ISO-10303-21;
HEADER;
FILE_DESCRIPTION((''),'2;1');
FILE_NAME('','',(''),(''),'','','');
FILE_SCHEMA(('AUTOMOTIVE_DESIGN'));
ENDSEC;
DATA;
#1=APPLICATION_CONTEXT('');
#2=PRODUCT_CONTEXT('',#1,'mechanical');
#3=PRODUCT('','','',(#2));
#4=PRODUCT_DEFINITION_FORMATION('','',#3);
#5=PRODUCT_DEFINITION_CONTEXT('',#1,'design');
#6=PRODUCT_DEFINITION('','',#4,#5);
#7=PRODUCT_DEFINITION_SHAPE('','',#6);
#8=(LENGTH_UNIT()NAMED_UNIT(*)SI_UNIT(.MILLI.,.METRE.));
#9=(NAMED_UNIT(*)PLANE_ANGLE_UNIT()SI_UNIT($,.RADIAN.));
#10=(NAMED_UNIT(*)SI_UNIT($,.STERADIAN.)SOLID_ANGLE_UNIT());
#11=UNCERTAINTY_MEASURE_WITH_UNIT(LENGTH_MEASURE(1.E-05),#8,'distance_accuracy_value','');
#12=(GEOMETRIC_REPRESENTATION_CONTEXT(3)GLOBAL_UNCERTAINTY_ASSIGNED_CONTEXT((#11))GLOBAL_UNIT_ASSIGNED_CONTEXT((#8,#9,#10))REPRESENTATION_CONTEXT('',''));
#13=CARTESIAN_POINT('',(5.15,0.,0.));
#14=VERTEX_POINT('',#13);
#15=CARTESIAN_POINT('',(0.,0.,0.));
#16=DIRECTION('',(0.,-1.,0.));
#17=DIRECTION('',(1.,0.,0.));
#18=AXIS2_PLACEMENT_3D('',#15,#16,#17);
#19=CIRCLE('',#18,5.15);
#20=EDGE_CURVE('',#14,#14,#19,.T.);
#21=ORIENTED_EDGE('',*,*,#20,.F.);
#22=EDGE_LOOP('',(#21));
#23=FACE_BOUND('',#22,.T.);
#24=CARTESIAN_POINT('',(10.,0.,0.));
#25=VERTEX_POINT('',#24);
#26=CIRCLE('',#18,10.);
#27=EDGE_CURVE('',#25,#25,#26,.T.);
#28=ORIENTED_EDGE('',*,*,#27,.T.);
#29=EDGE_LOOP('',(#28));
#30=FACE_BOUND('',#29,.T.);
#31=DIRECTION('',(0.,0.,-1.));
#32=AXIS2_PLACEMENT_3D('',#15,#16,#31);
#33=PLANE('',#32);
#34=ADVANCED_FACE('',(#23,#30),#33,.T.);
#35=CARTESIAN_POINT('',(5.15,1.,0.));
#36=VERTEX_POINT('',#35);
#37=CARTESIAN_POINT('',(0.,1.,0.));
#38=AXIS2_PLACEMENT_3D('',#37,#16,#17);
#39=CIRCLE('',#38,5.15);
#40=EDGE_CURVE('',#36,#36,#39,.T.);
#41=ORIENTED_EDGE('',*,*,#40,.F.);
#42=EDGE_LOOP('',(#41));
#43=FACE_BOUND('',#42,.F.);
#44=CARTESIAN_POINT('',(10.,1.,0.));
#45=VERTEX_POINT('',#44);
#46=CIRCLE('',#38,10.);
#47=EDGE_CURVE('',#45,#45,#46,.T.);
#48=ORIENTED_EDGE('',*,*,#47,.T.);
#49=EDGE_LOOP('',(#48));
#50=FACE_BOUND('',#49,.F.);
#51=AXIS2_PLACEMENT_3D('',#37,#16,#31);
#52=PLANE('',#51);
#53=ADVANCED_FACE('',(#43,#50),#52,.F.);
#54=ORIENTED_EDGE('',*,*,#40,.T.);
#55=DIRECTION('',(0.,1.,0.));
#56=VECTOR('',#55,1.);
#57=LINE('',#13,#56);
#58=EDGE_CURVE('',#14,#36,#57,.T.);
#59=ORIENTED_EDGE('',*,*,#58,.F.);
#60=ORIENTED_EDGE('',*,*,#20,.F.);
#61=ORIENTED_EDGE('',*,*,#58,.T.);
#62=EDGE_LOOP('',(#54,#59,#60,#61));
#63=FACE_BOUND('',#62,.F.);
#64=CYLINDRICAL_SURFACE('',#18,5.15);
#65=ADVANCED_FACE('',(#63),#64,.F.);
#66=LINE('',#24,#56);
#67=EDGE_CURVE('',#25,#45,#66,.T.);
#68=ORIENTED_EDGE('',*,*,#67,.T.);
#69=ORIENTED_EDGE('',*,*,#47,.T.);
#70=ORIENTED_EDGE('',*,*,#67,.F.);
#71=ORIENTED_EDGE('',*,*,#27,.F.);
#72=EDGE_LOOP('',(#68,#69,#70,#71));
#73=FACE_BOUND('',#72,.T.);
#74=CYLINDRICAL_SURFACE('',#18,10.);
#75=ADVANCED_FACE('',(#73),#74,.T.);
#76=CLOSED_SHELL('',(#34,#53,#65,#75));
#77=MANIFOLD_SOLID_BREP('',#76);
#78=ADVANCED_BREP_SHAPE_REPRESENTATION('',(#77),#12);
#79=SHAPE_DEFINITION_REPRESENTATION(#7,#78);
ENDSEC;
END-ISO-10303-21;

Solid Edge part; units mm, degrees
sketch "Sketch1" plane through (0, 0, 0) normal (0, -1, 0) x (1, 0, 0)
  circle A0 centre (0, 0) radius 5.15
  circle A1 centre (0, 0) radius 10
extrude "Protrusion1" add sketch "Sketch1" against normal blind 1
